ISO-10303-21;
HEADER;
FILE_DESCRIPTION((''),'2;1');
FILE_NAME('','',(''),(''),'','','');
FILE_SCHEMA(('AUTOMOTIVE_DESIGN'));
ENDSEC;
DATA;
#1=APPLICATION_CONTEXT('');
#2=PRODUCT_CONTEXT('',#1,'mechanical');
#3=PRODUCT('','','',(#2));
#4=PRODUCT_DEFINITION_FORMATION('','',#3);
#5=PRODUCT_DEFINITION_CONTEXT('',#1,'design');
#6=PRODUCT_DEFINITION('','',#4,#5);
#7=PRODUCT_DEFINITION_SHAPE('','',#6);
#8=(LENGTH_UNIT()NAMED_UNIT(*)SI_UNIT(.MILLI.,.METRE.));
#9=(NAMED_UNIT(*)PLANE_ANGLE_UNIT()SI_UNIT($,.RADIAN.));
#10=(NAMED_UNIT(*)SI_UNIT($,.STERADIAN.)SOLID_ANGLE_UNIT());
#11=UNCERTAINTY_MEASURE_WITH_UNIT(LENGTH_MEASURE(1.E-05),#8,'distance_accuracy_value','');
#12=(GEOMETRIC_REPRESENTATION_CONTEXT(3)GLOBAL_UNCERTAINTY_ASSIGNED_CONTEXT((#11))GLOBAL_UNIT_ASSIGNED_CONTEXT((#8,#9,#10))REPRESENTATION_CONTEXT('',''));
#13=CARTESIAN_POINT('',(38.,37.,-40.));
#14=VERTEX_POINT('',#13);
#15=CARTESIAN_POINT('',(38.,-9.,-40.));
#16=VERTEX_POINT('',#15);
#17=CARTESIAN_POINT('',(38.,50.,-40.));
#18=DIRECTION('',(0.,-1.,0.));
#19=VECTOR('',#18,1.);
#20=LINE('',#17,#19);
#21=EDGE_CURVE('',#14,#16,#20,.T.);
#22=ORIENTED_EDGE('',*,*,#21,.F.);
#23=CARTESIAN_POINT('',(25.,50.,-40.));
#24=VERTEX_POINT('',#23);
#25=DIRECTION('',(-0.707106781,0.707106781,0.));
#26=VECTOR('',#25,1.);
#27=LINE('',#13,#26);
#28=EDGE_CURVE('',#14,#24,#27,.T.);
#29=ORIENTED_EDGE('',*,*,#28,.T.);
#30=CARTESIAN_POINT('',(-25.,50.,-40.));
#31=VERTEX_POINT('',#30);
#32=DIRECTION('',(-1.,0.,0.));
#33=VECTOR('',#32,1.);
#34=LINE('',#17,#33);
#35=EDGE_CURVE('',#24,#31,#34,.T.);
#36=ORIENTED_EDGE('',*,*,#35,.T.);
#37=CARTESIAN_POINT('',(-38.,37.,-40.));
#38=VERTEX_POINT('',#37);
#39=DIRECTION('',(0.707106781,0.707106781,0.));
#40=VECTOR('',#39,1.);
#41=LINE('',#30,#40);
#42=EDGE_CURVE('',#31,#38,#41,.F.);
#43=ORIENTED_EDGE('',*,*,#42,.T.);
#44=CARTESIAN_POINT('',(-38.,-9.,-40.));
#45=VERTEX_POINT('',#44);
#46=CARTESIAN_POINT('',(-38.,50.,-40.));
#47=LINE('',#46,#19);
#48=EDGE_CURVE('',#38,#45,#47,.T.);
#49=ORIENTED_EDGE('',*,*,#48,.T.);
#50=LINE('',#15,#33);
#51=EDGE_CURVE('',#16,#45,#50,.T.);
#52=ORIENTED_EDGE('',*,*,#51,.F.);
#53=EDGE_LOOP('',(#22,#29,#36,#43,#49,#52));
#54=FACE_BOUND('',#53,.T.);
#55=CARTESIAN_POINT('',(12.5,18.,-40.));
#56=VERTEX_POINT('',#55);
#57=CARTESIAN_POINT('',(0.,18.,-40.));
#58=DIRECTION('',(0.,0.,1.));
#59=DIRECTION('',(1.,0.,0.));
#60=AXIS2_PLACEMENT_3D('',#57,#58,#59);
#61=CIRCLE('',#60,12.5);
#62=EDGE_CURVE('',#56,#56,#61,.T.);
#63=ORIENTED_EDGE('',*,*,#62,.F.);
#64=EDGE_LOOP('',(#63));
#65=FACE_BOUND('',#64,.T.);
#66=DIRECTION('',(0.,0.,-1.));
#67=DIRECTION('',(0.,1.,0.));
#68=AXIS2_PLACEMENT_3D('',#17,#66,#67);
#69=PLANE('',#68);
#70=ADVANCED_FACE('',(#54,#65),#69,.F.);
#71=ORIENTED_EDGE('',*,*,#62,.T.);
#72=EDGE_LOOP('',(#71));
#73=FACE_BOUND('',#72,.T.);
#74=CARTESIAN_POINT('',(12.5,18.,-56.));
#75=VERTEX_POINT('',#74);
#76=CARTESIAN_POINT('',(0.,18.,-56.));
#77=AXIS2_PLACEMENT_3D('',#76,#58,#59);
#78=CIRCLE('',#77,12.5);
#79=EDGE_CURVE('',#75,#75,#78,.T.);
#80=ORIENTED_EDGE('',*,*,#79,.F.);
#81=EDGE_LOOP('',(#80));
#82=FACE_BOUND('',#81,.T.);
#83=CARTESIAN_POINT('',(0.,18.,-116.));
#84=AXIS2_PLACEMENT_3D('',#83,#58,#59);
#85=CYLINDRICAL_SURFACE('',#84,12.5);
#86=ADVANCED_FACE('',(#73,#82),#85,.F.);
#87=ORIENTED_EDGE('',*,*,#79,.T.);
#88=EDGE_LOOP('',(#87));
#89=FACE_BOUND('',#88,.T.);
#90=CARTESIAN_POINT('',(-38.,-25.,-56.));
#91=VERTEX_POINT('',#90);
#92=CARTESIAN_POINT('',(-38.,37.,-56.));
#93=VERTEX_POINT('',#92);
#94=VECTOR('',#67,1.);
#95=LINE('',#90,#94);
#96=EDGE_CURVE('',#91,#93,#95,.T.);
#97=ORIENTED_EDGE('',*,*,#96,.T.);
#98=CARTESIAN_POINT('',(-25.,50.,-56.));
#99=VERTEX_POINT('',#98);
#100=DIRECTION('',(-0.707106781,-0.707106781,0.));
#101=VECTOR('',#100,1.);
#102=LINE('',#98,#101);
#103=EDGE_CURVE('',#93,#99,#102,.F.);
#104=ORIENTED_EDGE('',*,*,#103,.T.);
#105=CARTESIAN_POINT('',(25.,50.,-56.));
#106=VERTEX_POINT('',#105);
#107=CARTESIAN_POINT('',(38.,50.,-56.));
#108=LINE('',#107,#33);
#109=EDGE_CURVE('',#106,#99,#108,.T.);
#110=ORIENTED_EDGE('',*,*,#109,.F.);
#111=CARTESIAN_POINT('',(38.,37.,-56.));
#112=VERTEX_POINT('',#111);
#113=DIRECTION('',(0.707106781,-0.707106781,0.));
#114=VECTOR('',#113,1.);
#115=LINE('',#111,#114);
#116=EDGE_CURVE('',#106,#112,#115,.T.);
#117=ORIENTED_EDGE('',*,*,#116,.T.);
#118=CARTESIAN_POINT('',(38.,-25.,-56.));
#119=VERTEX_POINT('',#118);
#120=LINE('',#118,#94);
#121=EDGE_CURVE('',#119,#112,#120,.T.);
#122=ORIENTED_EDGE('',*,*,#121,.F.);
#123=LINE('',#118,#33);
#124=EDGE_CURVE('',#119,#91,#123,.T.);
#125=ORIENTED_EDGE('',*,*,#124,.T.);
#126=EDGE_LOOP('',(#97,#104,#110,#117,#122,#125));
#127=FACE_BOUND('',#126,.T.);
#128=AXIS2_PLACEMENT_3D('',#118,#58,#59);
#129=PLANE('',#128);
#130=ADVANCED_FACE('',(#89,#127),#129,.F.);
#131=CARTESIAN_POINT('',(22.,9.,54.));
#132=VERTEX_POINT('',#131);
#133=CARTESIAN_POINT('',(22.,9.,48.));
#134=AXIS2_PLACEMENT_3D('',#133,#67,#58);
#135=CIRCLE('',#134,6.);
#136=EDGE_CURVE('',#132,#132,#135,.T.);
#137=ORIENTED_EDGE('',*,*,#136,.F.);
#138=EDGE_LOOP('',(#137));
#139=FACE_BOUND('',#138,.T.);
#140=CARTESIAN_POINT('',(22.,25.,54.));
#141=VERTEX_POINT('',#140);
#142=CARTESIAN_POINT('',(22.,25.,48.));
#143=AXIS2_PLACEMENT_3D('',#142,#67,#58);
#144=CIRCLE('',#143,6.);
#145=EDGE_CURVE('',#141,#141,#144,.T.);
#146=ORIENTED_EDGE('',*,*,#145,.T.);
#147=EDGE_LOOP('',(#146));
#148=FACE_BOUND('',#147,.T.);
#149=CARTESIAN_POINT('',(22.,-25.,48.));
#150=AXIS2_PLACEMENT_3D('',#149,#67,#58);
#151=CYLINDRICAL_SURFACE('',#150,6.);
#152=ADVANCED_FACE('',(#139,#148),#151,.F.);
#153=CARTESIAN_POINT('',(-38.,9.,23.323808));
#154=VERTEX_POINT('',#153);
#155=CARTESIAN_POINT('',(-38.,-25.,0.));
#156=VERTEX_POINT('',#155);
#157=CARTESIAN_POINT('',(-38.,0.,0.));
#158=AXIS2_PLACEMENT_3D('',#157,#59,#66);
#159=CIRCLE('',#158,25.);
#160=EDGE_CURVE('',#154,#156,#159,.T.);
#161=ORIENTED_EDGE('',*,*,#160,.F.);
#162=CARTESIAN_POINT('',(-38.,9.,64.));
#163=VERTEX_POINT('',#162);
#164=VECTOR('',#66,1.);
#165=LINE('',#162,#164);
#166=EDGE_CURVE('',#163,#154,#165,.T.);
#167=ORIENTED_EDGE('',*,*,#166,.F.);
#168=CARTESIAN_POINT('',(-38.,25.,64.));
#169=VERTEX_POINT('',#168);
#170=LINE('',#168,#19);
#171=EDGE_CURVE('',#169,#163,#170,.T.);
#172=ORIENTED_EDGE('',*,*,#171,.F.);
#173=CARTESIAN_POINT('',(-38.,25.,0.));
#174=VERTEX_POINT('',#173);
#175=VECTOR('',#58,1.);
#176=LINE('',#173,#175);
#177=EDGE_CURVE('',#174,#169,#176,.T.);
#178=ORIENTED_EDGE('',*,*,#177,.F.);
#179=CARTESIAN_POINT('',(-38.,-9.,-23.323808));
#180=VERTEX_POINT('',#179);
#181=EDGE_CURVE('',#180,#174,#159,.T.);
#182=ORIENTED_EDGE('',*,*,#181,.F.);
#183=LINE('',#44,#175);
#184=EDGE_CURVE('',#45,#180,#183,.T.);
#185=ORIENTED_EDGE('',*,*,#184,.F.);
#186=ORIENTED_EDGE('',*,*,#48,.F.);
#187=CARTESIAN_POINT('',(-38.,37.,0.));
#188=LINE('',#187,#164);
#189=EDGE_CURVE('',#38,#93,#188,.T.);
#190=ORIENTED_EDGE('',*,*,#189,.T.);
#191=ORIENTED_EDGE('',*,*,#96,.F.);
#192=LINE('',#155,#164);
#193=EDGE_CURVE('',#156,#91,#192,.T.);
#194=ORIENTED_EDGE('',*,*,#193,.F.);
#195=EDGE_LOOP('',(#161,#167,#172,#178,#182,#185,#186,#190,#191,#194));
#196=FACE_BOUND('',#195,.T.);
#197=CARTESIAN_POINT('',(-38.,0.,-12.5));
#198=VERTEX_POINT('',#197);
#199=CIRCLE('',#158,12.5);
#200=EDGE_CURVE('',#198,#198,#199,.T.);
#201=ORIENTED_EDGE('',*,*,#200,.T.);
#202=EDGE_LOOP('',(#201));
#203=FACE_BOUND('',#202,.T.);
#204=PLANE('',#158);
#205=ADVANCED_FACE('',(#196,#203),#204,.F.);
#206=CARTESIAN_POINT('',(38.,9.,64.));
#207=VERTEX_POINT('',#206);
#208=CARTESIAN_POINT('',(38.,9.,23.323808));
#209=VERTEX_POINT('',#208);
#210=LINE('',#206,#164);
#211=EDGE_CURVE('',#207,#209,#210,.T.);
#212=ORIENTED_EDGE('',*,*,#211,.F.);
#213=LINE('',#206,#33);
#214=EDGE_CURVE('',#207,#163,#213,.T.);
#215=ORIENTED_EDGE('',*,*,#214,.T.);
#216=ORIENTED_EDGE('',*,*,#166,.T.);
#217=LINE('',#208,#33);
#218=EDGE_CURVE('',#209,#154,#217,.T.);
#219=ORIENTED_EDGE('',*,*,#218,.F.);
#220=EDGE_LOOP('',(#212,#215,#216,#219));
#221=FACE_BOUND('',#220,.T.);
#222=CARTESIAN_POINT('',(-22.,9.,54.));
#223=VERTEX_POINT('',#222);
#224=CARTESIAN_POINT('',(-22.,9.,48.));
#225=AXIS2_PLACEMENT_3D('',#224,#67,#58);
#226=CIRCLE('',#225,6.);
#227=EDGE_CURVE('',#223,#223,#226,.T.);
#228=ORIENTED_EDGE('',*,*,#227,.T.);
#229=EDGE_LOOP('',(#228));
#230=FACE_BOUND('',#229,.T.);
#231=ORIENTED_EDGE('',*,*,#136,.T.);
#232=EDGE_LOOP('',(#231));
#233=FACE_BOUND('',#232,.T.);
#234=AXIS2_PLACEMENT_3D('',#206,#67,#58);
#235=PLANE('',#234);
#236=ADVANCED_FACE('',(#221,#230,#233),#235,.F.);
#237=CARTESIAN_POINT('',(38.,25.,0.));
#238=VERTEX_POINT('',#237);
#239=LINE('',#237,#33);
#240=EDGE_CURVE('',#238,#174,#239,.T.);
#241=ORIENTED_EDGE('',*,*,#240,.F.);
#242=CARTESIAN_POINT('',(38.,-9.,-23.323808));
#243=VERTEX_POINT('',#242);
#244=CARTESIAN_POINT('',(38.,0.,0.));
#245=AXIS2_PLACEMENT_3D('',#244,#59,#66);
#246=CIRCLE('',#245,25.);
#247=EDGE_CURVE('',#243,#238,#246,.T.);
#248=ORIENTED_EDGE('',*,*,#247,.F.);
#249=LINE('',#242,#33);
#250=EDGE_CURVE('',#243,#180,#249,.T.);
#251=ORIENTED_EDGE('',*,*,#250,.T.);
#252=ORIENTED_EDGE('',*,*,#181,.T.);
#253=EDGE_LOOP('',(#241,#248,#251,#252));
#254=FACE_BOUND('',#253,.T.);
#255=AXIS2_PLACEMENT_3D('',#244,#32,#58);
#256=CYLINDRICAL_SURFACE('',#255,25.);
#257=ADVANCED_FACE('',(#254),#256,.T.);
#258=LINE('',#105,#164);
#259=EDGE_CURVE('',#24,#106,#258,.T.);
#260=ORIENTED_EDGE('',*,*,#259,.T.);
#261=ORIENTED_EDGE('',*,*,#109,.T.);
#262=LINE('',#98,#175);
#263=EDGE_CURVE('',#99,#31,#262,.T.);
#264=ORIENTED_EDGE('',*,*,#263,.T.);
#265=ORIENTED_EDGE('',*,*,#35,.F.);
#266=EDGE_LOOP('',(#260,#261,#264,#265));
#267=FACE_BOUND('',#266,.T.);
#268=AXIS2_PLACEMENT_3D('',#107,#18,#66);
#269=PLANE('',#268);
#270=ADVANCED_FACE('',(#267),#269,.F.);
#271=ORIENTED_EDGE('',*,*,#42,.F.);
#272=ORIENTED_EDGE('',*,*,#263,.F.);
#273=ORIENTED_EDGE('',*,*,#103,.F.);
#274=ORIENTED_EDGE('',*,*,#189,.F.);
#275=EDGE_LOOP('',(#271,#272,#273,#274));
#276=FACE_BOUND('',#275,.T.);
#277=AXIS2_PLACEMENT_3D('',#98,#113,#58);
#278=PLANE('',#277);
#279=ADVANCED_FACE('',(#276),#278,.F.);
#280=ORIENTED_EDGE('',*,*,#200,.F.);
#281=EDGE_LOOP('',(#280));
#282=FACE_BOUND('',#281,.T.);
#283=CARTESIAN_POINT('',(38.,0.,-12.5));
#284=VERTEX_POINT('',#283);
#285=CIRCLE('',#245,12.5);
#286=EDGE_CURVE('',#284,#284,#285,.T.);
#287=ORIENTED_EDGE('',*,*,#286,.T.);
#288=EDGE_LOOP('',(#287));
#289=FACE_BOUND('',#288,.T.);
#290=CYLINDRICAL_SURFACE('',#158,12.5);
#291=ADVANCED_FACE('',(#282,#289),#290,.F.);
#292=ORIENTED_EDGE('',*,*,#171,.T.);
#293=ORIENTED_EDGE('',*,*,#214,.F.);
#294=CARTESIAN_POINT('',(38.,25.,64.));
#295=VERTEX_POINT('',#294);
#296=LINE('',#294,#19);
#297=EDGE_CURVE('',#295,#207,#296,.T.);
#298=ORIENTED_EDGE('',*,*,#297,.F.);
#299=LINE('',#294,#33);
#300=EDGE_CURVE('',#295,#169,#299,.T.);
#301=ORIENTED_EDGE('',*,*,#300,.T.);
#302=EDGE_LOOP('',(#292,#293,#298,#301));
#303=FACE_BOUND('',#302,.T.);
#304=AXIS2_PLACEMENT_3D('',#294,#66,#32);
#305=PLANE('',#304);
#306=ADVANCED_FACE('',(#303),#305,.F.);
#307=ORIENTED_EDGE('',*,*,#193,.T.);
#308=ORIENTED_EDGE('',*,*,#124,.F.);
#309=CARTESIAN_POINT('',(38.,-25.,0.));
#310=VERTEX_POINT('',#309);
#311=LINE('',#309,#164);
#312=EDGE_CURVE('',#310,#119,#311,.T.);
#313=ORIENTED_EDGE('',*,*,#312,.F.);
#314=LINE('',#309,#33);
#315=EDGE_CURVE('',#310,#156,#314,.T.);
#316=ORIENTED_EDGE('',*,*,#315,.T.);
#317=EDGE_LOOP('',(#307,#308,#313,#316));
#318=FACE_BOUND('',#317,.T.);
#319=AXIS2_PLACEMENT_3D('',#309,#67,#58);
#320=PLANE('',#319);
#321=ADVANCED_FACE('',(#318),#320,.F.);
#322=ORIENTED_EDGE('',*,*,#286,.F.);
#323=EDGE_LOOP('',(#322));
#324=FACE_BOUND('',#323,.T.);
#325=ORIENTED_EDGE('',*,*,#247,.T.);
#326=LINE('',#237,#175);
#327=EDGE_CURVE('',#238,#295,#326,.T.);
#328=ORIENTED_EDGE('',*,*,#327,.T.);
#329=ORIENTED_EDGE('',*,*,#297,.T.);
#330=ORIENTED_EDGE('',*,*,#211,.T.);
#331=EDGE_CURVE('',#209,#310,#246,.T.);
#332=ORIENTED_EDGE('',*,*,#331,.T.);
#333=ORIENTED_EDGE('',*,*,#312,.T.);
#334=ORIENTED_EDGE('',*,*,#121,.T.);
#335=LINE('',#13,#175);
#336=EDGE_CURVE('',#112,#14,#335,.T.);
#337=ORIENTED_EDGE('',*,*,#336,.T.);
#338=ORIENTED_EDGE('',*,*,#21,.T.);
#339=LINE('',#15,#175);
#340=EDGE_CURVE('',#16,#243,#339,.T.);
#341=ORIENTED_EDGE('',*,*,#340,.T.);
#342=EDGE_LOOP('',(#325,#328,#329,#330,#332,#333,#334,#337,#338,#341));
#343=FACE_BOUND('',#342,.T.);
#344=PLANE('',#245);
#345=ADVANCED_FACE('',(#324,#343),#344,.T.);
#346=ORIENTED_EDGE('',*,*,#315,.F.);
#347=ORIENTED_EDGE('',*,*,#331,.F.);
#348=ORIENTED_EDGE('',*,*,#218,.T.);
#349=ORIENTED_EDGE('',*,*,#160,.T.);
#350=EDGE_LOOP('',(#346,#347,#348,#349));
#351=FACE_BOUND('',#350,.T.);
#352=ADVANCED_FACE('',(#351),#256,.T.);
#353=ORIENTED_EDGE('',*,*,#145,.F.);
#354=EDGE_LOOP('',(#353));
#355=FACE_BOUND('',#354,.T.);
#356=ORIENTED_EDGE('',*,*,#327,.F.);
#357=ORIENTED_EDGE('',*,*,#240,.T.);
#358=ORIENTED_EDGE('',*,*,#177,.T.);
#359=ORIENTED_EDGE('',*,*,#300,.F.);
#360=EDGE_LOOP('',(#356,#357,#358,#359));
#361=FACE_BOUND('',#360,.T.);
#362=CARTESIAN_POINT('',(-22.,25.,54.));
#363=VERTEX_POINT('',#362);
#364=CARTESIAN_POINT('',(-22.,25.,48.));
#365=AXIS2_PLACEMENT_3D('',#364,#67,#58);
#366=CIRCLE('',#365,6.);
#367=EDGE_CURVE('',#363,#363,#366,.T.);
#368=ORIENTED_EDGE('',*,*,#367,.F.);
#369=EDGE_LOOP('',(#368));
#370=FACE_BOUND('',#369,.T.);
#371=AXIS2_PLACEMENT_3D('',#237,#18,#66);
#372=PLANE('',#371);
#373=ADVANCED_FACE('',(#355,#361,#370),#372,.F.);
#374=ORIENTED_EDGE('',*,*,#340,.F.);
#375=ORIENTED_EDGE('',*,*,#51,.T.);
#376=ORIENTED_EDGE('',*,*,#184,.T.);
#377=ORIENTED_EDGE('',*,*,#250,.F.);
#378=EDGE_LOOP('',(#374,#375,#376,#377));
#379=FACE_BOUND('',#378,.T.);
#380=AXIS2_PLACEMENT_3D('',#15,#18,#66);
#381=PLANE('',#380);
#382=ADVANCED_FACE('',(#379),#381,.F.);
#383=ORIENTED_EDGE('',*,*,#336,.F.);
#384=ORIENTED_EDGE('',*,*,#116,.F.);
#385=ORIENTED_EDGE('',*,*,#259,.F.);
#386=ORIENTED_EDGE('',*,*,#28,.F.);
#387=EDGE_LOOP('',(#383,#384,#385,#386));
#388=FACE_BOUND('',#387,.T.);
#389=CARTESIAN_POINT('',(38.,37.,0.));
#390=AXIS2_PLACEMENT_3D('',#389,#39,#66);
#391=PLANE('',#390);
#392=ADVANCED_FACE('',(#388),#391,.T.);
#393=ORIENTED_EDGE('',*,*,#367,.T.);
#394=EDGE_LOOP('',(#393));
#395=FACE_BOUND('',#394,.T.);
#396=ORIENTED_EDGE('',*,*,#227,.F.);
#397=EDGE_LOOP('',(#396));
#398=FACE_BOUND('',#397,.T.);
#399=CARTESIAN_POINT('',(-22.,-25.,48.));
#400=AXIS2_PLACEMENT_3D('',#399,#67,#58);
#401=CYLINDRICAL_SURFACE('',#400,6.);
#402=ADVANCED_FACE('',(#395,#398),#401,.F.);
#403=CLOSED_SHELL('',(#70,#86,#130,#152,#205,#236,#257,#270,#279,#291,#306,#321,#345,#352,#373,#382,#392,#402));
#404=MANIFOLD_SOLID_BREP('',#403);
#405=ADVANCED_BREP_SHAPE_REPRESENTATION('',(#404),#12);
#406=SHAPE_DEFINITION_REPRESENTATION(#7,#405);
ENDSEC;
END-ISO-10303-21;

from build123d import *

# Parameters (mm, degrees)
BOSS_EXTRUDE1_DEPTH     = 38
CUT_EXTRUDE1_DEPTH      = 90.666047086
CUT_EXTRUDE1_DEPTH_BACK = 90.666047086
SKETCH1_3_R             = 12.5
CHAMFER1_SIZE           = 13
SKETCH3_R               = 12.5
CUT_EXTRUDE3_DEPTH      = 76
SKETCH4_R               = 6
CUT_EXTRUDE4_DEPTH      = 90.666047086


with BuildPart() as part:
    # Sketch1 → Boss-Extrude1 (new, symmetric)
    with BuildSketch(Plane(origin=(0, 0, 0), x_dir=(0, 0, -1), z_dir=(1, 0, 0))):
        with BuildLine():
            Line((0, -25), (56, -25))
            Line((56, -25), (56, 50))
            Line((56, 50), (40, 50))
            Line((40, 50), (40, -9))
            Line((40, -9), (23.323807579, -9))
            ThreePointArc((23.323807579, -9), (20.615528128, 14.142135624), (0, 25))
            Line((0, 25), (-64, 25))
            Line((-64, 25), (-64, 9))
            Line((-64, 9), (-23.323807579, 9))
            ThreePointArc((-23.323807579, 9), (-20.615528128, -14.142135624), (0, -25))
        make_face()
    extrude(amount=BOSS_EXTRUDE1_DEPTH, both=True)

    # Sketch1<3> → Cut-Extrude1 (cut, two sides: drawn at the far end of the back side and taken through both)
    with BuildSketch(Plane(origin=(0, 0, 0), x_dir=(0, 0, -1), z_dir=(1, 0, 0)).offset(-CUT_EXTRUDE1_DEPTH_BACK)):
        Circle(SKETCH1_3_R)
    extrude(amount=CUT_EXTRUDE1_DEPTH + CUT_EXTRUDE1_DEPTH_BACK, mode=Mode.SUBTRACT)

    # Chamfer1
    chamfer1_edges = [part.edges().sort_by_distance(p)[0] for p in [
        (-38, 50, -48),
        (38, 50, -48),
    ]]
    chamfer(chamfer1_edges, length=CHAMFER1_SIZE)

    # Sketch3 → Cut-Extrude3 (cut)
    with BuildSketch(Plane.XY.offset(-40)):
        with Locations((0, 18)):
            Circle(SKETCH3_R)
    extrude(amount=-CUT_EXTRUDE3_DEPTH, mode=Mode.SUBTRACT)

    # Sketch4 → Cut-Extrude4 (cut, through all)
    with BuildSketch(Plane(origin=(0, 25, 0), x_dir=(1, 0, 0), z_dir=(0, 1, 0))):
        with Locations((-22, -48)):
            Circle(SKETCH4_R)
        with Locations((22, -48)):
            Circle(SKETCH4_R)
    extrude(amount=-CUT_EXTRUDE4_DEPTH, mode=Mode.SUBTRACT)


solid = part.part
